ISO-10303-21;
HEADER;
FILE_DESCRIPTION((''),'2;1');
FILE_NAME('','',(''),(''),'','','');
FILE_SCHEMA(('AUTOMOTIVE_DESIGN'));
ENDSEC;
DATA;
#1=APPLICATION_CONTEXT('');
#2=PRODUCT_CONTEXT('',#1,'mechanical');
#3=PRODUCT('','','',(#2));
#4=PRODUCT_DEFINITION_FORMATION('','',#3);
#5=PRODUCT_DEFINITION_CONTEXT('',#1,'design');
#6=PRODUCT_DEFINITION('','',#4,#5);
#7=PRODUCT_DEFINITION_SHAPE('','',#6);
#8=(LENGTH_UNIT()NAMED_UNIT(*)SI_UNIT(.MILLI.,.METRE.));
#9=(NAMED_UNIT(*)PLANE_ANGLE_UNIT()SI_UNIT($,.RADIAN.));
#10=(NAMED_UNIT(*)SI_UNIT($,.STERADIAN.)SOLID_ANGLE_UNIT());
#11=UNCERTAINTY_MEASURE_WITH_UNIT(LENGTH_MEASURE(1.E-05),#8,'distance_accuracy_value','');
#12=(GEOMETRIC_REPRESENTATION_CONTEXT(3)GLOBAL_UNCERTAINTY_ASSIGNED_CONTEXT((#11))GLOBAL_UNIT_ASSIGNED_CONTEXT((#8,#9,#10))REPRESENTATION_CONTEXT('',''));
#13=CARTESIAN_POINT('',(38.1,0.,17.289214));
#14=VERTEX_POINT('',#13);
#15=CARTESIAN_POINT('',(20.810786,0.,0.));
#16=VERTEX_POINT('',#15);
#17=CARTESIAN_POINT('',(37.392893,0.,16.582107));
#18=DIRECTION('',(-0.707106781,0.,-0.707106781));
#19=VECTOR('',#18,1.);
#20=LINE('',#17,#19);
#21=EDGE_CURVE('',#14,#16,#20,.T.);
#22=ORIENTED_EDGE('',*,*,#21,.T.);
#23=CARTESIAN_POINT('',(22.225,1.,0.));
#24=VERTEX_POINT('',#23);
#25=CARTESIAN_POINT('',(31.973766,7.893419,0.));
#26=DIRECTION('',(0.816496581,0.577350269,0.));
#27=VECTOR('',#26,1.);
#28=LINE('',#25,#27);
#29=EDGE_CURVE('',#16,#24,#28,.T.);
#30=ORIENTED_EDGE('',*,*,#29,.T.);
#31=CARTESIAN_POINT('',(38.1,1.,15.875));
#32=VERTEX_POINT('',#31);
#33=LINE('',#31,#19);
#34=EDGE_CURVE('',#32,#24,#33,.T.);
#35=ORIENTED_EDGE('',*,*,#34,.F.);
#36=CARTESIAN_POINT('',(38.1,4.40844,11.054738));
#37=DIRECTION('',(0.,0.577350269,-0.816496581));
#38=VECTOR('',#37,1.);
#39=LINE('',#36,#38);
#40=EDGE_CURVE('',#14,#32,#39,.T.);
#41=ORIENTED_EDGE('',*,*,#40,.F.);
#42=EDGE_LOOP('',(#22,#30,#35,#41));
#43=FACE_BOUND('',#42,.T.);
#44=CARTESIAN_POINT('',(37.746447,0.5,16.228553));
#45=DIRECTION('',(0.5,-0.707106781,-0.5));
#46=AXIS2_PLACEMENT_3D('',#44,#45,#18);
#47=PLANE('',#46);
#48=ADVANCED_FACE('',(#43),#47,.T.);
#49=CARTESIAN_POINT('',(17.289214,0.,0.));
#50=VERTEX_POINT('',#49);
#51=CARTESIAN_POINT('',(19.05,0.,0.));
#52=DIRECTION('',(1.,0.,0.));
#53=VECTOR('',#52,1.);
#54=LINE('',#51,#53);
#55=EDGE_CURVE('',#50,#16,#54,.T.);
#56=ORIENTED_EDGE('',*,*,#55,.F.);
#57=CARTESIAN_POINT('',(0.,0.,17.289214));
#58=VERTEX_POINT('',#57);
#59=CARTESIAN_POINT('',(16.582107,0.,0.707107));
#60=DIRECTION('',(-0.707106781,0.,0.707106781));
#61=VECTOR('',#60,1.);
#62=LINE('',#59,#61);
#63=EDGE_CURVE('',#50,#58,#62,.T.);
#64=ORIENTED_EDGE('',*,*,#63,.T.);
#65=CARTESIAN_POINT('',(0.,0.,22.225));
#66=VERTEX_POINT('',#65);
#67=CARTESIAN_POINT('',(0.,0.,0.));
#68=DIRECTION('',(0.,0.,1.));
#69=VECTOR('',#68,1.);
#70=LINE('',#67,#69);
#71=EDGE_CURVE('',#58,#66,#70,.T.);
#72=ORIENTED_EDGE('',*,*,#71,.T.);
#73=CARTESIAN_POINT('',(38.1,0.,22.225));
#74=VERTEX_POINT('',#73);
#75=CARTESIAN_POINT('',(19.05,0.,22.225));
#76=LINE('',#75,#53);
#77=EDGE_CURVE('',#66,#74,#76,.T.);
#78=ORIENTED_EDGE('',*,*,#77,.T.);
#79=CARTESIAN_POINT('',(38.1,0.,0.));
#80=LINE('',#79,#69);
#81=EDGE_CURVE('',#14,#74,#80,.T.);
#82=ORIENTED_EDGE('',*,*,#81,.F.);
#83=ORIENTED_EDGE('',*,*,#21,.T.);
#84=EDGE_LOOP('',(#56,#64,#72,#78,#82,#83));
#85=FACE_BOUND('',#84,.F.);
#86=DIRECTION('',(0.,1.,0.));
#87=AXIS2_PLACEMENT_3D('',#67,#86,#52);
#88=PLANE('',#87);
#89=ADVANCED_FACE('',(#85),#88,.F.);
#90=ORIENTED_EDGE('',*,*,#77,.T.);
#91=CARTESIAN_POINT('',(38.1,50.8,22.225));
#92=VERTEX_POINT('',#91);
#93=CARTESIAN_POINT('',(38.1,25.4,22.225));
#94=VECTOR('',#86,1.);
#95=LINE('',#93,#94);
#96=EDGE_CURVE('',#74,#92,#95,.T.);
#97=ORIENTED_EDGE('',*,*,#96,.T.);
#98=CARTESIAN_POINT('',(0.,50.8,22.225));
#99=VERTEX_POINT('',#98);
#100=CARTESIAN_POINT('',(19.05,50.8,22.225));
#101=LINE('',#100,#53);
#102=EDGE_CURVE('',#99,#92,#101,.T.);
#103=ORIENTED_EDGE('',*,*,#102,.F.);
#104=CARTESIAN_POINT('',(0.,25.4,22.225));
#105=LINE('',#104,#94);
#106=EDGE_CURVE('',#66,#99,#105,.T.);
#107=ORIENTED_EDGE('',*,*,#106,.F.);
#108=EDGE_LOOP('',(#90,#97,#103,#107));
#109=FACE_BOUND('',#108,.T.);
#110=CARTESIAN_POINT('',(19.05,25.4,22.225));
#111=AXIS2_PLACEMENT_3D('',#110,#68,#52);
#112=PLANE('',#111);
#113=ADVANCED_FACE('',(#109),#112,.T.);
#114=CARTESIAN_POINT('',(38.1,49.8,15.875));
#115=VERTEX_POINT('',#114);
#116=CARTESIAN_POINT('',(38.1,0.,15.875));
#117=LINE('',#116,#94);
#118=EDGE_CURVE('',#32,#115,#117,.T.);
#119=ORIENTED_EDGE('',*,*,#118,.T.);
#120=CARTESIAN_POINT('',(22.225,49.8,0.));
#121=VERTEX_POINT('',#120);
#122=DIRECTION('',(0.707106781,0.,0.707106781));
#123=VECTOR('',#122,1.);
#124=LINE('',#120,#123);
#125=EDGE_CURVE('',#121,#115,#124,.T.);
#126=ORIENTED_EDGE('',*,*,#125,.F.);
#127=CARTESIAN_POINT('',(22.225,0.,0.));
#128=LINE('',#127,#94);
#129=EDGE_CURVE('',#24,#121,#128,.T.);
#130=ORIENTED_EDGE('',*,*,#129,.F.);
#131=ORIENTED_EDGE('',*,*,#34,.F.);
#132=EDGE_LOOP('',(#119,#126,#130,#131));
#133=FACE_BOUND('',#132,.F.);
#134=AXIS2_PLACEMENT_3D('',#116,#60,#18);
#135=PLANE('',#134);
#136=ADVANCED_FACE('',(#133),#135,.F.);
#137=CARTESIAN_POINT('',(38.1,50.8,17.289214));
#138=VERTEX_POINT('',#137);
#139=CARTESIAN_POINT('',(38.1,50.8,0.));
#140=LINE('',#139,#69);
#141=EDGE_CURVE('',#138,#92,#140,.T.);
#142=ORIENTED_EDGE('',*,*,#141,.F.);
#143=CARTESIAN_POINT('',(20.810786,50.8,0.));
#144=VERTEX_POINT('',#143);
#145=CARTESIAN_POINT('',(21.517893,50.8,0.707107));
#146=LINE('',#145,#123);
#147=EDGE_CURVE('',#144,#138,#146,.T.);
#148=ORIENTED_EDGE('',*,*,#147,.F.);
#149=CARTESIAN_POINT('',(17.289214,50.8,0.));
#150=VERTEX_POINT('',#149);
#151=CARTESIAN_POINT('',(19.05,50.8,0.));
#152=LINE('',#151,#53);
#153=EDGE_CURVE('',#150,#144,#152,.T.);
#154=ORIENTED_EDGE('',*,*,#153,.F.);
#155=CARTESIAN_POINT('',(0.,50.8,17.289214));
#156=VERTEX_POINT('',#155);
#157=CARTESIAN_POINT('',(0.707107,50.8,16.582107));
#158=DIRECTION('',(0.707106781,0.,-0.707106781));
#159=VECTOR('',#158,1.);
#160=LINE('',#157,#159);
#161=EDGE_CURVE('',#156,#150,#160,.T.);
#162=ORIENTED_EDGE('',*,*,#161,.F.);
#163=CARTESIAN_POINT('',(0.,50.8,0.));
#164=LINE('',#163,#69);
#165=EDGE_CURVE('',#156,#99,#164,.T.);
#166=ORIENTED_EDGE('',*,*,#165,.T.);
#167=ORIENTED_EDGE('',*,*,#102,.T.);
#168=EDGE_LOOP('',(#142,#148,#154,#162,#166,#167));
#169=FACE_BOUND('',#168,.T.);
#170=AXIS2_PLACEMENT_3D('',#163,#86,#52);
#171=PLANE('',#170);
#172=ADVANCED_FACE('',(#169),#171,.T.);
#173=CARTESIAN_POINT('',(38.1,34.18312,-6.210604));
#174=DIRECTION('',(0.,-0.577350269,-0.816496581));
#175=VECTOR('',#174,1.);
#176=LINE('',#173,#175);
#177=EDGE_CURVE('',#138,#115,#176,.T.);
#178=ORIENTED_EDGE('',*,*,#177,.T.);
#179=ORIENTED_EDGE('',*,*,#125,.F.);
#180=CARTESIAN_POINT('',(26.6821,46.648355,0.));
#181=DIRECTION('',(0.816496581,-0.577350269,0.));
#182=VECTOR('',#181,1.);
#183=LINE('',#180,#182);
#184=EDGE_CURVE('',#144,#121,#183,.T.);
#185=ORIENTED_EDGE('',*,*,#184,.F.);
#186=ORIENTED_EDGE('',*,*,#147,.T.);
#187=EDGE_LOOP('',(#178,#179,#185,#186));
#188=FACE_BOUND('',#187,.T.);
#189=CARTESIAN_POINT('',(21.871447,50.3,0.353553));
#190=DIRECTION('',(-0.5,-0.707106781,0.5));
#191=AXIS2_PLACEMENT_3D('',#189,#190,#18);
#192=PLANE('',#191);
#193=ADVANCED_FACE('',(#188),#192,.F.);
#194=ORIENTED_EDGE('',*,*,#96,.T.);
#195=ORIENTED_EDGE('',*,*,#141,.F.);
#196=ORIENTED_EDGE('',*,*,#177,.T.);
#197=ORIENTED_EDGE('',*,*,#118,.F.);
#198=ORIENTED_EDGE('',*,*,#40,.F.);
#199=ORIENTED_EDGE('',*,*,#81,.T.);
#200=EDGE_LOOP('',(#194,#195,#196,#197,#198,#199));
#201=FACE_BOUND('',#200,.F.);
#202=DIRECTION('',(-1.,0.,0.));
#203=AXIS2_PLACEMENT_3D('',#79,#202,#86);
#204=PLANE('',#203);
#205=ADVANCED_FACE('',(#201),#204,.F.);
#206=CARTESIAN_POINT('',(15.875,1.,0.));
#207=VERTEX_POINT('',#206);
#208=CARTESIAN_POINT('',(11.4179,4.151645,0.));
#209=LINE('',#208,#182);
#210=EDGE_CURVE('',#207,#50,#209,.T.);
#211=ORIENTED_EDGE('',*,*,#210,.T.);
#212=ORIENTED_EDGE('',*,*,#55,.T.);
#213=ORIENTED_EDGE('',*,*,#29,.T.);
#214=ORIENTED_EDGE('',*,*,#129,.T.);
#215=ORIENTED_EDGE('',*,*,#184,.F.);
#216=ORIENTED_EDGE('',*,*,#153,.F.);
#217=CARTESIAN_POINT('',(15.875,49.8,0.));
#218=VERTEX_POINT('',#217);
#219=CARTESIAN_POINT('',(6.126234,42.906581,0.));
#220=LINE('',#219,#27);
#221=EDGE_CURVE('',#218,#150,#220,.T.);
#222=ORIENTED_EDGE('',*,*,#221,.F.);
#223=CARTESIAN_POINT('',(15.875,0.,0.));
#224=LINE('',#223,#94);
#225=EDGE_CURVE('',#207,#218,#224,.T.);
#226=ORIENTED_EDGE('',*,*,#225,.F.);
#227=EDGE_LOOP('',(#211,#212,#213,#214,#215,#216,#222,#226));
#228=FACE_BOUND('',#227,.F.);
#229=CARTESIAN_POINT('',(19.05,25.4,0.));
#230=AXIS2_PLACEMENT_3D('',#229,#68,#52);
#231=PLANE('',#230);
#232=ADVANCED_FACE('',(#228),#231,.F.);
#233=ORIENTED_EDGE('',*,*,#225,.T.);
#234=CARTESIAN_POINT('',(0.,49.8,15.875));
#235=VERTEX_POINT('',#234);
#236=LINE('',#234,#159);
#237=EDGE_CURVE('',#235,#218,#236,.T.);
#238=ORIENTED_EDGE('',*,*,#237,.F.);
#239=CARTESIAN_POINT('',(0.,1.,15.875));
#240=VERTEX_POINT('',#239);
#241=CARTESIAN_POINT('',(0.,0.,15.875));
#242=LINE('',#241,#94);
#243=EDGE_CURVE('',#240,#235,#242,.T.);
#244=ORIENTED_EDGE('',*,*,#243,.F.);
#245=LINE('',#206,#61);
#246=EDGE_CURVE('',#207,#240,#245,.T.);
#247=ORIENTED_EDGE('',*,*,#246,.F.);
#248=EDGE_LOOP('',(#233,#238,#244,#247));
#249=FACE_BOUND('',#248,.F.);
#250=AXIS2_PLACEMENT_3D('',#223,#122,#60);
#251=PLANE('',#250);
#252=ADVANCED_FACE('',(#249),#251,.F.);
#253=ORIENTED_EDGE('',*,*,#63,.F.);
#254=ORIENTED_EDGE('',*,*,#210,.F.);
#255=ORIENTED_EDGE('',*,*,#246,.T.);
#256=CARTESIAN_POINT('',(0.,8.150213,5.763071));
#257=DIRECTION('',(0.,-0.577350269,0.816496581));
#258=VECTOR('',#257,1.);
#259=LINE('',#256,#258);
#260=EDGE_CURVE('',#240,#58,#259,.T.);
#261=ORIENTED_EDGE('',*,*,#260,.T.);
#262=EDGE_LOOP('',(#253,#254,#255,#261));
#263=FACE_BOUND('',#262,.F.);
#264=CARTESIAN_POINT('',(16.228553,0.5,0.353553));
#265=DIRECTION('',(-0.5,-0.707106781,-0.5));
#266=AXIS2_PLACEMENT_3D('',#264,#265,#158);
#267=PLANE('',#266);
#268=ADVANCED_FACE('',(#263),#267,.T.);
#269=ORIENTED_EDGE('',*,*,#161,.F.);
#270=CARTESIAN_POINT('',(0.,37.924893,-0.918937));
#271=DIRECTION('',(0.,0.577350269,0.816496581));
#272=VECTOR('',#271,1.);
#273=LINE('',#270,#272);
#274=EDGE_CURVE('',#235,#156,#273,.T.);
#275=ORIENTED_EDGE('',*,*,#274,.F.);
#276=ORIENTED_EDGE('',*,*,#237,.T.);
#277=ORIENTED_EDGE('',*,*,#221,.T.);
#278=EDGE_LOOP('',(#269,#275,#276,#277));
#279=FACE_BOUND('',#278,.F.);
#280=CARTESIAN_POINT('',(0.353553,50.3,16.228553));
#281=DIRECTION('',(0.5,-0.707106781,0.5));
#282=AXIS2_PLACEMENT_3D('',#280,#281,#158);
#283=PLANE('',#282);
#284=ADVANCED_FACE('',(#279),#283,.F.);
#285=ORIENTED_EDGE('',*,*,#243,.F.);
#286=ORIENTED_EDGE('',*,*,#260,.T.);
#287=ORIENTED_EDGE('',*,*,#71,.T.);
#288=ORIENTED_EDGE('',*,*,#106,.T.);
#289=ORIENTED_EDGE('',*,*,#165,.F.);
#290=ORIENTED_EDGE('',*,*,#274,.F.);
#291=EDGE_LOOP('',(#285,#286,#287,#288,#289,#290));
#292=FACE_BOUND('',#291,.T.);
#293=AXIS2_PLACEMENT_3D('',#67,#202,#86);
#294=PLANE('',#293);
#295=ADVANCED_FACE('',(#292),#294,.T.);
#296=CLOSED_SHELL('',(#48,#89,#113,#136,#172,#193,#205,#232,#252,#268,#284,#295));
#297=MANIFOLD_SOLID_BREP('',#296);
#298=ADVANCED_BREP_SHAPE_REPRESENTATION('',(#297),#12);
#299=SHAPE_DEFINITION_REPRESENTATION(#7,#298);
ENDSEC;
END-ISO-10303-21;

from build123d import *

# Parameters (mm, degrees)
F0_W     = 38.1
F0_H     = 50.8
F1_DEPTH = 22.225
F3_DEPTH = 50.801
F4_SIZE  = 1


with BuildPart() as f1:
    # F0 (on Top) → F1 (new body)
    with BuildSketch(Plane.XY):
        with Locations((19.05, 25.4)):
            Rectangle(F0_W, F0_H)
    extrude(amount=F1_DEPTH)

    # F2 (on face) → F3 (cut, through all)
    with BuildSketch(Plane.XZ):
        Polygon((38.1, 15.875), (22.225, 0), (38.1, 0), align=None)
        Polygon((0, 0), (15.875, 0), (0, 15.875), align=None)
    extrude(amount=-F3_DEPTH, mode=Mode.SUBTRACT)

    # F4
    f4_edges = [f1.edges().sort_by_distance(p)[0] for p in [
        (30.1625, 0, 7.9375),
        (7.9375, 0, 7.9375),
        (30.1625, 50.8, 7.9375),
        (7.9375, 50.8, 7.9375),
    ]]
    chamfer(f4_edges, length=F4_SIZE)


solid = f1.part
